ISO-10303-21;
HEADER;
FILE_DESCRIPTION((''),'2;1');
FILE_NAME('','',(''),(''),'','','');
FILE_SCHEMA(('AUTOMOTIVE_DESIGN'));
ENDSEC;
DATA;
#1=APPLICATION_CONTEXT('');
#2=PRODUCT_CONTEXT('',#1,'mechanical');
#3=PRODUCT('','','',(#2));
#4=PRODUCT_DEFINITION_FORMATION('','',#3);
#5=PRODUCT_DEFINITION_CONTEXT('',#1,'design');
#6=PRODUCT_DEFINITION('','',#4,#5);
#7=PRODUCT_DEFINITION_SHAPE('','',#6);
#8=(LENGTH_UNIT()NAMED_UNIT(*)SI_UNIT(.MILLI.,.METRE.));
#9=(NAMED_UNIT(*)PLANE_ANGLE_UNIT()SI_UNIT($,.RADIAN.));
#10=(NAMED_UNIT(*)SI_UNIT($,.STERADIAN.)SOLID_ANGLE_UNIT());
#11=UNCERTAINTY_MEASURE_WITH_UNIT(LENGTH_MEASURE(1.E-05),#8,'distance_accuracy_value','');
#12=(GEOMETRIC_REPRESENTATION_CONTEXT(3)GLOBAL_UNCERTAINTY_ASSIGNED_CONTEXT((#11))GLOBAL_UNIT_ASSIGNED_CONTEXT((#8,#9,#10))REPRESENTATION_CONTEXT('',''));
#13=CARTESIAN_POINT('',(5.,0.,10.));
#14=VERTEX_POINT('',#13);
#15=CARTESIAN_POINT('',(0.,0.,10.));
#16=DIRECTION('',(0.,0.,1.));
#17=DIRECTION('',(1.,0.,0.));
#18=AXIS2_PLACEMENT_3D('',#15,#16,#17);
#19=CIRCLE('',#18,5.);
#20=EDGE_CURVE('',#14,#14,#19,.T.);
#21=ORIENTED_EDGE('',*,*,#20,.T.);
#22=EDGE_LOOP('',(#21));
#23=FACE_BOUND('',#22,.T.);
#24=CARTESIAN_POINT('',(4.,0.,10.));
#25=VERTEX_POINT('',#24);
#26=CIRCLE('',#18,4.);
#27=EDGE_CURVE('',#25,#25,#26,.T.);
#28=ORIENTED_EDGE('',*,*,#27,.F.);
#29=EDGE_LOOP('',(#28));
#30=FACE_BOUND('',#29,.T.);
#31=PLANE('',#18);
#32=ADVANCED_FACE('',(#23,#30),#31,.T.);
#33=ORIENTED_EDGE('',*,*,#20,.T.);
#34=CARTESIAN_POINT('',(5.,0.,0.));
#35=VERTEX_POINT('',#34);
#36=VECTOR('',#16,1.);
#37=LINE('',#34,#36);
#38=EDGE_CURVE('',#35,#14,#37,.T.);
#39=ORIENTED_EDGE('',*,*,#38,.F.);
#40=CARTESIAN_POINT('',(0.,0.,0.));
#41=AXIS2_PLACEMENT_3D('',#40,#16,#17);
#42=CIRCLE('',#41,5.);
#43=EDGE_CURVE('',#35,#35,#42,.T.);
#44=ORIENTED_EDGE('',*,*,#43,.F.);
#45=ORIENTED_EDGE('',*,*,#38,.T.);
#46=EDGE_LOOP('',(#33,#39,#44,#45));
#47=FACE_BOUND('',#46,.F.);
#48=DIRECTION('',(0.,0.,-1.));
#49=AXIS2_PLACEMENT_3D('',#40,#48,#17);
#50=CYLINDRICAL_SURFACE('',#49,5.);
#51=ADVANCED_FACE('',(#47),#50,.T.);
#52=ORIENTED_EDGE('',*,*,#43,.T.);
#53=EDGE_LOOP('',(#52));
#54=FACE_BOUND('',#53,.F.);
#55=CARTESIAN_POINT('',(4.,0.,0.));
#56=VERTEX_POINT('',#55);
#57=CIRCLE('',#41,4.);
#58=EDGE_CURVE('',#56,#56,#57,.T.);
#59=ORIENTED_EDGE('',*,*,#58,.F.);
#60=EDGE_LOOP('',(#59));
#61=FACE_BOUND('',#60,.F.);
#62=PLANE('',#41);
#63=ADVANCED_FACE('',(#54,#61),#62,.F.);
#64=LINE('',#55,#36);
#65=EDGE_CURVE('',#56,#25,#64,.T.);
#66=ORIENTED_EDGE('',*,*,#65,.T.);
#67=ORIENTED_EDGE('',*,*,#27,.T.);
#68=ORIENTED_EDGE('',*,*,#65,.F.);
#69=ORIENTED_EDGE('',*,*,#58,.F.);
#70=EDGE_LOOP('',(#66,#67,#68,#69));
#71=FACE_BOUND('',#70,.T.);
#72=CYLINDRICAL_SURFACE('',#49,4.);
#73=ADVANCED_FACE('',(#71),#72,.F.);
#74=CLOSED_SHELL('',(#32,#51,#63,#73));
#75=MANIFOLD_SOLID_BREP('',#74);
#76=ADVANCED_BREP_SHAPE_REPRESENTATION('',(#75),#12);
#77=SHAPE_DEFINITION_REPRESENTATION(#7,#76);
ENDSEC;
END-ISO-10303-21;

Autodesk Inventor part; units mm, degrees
ref_plane "YZ Plane" through (0, 0, 0) normal (1, 0, 0) x (0, 1, 0)
ref_plane "XZ Plane" through (0, 0, 0) normal (0, 1, 0) x (-1, 0, 0)
ref_plane "XY Plane" through (0, 0, 0) normal (0, 0, 1) x (1, 0, 0)
sketch "スケッチ1" plane through (0, 0, 0) normal (0, 0, 1) x (1, 0, 0)
  circle A0 centre (0, 0) radius 4
  circle A1 centre (0, 0) radius 5
  dimension "d0" = 8
  dimension "d1" = 10
extrude "押し出し1" add sketch "スケッチ1" along normal blind 10
properties part number "オイレス8-10-10" material "アセタール樹脂、黒"
